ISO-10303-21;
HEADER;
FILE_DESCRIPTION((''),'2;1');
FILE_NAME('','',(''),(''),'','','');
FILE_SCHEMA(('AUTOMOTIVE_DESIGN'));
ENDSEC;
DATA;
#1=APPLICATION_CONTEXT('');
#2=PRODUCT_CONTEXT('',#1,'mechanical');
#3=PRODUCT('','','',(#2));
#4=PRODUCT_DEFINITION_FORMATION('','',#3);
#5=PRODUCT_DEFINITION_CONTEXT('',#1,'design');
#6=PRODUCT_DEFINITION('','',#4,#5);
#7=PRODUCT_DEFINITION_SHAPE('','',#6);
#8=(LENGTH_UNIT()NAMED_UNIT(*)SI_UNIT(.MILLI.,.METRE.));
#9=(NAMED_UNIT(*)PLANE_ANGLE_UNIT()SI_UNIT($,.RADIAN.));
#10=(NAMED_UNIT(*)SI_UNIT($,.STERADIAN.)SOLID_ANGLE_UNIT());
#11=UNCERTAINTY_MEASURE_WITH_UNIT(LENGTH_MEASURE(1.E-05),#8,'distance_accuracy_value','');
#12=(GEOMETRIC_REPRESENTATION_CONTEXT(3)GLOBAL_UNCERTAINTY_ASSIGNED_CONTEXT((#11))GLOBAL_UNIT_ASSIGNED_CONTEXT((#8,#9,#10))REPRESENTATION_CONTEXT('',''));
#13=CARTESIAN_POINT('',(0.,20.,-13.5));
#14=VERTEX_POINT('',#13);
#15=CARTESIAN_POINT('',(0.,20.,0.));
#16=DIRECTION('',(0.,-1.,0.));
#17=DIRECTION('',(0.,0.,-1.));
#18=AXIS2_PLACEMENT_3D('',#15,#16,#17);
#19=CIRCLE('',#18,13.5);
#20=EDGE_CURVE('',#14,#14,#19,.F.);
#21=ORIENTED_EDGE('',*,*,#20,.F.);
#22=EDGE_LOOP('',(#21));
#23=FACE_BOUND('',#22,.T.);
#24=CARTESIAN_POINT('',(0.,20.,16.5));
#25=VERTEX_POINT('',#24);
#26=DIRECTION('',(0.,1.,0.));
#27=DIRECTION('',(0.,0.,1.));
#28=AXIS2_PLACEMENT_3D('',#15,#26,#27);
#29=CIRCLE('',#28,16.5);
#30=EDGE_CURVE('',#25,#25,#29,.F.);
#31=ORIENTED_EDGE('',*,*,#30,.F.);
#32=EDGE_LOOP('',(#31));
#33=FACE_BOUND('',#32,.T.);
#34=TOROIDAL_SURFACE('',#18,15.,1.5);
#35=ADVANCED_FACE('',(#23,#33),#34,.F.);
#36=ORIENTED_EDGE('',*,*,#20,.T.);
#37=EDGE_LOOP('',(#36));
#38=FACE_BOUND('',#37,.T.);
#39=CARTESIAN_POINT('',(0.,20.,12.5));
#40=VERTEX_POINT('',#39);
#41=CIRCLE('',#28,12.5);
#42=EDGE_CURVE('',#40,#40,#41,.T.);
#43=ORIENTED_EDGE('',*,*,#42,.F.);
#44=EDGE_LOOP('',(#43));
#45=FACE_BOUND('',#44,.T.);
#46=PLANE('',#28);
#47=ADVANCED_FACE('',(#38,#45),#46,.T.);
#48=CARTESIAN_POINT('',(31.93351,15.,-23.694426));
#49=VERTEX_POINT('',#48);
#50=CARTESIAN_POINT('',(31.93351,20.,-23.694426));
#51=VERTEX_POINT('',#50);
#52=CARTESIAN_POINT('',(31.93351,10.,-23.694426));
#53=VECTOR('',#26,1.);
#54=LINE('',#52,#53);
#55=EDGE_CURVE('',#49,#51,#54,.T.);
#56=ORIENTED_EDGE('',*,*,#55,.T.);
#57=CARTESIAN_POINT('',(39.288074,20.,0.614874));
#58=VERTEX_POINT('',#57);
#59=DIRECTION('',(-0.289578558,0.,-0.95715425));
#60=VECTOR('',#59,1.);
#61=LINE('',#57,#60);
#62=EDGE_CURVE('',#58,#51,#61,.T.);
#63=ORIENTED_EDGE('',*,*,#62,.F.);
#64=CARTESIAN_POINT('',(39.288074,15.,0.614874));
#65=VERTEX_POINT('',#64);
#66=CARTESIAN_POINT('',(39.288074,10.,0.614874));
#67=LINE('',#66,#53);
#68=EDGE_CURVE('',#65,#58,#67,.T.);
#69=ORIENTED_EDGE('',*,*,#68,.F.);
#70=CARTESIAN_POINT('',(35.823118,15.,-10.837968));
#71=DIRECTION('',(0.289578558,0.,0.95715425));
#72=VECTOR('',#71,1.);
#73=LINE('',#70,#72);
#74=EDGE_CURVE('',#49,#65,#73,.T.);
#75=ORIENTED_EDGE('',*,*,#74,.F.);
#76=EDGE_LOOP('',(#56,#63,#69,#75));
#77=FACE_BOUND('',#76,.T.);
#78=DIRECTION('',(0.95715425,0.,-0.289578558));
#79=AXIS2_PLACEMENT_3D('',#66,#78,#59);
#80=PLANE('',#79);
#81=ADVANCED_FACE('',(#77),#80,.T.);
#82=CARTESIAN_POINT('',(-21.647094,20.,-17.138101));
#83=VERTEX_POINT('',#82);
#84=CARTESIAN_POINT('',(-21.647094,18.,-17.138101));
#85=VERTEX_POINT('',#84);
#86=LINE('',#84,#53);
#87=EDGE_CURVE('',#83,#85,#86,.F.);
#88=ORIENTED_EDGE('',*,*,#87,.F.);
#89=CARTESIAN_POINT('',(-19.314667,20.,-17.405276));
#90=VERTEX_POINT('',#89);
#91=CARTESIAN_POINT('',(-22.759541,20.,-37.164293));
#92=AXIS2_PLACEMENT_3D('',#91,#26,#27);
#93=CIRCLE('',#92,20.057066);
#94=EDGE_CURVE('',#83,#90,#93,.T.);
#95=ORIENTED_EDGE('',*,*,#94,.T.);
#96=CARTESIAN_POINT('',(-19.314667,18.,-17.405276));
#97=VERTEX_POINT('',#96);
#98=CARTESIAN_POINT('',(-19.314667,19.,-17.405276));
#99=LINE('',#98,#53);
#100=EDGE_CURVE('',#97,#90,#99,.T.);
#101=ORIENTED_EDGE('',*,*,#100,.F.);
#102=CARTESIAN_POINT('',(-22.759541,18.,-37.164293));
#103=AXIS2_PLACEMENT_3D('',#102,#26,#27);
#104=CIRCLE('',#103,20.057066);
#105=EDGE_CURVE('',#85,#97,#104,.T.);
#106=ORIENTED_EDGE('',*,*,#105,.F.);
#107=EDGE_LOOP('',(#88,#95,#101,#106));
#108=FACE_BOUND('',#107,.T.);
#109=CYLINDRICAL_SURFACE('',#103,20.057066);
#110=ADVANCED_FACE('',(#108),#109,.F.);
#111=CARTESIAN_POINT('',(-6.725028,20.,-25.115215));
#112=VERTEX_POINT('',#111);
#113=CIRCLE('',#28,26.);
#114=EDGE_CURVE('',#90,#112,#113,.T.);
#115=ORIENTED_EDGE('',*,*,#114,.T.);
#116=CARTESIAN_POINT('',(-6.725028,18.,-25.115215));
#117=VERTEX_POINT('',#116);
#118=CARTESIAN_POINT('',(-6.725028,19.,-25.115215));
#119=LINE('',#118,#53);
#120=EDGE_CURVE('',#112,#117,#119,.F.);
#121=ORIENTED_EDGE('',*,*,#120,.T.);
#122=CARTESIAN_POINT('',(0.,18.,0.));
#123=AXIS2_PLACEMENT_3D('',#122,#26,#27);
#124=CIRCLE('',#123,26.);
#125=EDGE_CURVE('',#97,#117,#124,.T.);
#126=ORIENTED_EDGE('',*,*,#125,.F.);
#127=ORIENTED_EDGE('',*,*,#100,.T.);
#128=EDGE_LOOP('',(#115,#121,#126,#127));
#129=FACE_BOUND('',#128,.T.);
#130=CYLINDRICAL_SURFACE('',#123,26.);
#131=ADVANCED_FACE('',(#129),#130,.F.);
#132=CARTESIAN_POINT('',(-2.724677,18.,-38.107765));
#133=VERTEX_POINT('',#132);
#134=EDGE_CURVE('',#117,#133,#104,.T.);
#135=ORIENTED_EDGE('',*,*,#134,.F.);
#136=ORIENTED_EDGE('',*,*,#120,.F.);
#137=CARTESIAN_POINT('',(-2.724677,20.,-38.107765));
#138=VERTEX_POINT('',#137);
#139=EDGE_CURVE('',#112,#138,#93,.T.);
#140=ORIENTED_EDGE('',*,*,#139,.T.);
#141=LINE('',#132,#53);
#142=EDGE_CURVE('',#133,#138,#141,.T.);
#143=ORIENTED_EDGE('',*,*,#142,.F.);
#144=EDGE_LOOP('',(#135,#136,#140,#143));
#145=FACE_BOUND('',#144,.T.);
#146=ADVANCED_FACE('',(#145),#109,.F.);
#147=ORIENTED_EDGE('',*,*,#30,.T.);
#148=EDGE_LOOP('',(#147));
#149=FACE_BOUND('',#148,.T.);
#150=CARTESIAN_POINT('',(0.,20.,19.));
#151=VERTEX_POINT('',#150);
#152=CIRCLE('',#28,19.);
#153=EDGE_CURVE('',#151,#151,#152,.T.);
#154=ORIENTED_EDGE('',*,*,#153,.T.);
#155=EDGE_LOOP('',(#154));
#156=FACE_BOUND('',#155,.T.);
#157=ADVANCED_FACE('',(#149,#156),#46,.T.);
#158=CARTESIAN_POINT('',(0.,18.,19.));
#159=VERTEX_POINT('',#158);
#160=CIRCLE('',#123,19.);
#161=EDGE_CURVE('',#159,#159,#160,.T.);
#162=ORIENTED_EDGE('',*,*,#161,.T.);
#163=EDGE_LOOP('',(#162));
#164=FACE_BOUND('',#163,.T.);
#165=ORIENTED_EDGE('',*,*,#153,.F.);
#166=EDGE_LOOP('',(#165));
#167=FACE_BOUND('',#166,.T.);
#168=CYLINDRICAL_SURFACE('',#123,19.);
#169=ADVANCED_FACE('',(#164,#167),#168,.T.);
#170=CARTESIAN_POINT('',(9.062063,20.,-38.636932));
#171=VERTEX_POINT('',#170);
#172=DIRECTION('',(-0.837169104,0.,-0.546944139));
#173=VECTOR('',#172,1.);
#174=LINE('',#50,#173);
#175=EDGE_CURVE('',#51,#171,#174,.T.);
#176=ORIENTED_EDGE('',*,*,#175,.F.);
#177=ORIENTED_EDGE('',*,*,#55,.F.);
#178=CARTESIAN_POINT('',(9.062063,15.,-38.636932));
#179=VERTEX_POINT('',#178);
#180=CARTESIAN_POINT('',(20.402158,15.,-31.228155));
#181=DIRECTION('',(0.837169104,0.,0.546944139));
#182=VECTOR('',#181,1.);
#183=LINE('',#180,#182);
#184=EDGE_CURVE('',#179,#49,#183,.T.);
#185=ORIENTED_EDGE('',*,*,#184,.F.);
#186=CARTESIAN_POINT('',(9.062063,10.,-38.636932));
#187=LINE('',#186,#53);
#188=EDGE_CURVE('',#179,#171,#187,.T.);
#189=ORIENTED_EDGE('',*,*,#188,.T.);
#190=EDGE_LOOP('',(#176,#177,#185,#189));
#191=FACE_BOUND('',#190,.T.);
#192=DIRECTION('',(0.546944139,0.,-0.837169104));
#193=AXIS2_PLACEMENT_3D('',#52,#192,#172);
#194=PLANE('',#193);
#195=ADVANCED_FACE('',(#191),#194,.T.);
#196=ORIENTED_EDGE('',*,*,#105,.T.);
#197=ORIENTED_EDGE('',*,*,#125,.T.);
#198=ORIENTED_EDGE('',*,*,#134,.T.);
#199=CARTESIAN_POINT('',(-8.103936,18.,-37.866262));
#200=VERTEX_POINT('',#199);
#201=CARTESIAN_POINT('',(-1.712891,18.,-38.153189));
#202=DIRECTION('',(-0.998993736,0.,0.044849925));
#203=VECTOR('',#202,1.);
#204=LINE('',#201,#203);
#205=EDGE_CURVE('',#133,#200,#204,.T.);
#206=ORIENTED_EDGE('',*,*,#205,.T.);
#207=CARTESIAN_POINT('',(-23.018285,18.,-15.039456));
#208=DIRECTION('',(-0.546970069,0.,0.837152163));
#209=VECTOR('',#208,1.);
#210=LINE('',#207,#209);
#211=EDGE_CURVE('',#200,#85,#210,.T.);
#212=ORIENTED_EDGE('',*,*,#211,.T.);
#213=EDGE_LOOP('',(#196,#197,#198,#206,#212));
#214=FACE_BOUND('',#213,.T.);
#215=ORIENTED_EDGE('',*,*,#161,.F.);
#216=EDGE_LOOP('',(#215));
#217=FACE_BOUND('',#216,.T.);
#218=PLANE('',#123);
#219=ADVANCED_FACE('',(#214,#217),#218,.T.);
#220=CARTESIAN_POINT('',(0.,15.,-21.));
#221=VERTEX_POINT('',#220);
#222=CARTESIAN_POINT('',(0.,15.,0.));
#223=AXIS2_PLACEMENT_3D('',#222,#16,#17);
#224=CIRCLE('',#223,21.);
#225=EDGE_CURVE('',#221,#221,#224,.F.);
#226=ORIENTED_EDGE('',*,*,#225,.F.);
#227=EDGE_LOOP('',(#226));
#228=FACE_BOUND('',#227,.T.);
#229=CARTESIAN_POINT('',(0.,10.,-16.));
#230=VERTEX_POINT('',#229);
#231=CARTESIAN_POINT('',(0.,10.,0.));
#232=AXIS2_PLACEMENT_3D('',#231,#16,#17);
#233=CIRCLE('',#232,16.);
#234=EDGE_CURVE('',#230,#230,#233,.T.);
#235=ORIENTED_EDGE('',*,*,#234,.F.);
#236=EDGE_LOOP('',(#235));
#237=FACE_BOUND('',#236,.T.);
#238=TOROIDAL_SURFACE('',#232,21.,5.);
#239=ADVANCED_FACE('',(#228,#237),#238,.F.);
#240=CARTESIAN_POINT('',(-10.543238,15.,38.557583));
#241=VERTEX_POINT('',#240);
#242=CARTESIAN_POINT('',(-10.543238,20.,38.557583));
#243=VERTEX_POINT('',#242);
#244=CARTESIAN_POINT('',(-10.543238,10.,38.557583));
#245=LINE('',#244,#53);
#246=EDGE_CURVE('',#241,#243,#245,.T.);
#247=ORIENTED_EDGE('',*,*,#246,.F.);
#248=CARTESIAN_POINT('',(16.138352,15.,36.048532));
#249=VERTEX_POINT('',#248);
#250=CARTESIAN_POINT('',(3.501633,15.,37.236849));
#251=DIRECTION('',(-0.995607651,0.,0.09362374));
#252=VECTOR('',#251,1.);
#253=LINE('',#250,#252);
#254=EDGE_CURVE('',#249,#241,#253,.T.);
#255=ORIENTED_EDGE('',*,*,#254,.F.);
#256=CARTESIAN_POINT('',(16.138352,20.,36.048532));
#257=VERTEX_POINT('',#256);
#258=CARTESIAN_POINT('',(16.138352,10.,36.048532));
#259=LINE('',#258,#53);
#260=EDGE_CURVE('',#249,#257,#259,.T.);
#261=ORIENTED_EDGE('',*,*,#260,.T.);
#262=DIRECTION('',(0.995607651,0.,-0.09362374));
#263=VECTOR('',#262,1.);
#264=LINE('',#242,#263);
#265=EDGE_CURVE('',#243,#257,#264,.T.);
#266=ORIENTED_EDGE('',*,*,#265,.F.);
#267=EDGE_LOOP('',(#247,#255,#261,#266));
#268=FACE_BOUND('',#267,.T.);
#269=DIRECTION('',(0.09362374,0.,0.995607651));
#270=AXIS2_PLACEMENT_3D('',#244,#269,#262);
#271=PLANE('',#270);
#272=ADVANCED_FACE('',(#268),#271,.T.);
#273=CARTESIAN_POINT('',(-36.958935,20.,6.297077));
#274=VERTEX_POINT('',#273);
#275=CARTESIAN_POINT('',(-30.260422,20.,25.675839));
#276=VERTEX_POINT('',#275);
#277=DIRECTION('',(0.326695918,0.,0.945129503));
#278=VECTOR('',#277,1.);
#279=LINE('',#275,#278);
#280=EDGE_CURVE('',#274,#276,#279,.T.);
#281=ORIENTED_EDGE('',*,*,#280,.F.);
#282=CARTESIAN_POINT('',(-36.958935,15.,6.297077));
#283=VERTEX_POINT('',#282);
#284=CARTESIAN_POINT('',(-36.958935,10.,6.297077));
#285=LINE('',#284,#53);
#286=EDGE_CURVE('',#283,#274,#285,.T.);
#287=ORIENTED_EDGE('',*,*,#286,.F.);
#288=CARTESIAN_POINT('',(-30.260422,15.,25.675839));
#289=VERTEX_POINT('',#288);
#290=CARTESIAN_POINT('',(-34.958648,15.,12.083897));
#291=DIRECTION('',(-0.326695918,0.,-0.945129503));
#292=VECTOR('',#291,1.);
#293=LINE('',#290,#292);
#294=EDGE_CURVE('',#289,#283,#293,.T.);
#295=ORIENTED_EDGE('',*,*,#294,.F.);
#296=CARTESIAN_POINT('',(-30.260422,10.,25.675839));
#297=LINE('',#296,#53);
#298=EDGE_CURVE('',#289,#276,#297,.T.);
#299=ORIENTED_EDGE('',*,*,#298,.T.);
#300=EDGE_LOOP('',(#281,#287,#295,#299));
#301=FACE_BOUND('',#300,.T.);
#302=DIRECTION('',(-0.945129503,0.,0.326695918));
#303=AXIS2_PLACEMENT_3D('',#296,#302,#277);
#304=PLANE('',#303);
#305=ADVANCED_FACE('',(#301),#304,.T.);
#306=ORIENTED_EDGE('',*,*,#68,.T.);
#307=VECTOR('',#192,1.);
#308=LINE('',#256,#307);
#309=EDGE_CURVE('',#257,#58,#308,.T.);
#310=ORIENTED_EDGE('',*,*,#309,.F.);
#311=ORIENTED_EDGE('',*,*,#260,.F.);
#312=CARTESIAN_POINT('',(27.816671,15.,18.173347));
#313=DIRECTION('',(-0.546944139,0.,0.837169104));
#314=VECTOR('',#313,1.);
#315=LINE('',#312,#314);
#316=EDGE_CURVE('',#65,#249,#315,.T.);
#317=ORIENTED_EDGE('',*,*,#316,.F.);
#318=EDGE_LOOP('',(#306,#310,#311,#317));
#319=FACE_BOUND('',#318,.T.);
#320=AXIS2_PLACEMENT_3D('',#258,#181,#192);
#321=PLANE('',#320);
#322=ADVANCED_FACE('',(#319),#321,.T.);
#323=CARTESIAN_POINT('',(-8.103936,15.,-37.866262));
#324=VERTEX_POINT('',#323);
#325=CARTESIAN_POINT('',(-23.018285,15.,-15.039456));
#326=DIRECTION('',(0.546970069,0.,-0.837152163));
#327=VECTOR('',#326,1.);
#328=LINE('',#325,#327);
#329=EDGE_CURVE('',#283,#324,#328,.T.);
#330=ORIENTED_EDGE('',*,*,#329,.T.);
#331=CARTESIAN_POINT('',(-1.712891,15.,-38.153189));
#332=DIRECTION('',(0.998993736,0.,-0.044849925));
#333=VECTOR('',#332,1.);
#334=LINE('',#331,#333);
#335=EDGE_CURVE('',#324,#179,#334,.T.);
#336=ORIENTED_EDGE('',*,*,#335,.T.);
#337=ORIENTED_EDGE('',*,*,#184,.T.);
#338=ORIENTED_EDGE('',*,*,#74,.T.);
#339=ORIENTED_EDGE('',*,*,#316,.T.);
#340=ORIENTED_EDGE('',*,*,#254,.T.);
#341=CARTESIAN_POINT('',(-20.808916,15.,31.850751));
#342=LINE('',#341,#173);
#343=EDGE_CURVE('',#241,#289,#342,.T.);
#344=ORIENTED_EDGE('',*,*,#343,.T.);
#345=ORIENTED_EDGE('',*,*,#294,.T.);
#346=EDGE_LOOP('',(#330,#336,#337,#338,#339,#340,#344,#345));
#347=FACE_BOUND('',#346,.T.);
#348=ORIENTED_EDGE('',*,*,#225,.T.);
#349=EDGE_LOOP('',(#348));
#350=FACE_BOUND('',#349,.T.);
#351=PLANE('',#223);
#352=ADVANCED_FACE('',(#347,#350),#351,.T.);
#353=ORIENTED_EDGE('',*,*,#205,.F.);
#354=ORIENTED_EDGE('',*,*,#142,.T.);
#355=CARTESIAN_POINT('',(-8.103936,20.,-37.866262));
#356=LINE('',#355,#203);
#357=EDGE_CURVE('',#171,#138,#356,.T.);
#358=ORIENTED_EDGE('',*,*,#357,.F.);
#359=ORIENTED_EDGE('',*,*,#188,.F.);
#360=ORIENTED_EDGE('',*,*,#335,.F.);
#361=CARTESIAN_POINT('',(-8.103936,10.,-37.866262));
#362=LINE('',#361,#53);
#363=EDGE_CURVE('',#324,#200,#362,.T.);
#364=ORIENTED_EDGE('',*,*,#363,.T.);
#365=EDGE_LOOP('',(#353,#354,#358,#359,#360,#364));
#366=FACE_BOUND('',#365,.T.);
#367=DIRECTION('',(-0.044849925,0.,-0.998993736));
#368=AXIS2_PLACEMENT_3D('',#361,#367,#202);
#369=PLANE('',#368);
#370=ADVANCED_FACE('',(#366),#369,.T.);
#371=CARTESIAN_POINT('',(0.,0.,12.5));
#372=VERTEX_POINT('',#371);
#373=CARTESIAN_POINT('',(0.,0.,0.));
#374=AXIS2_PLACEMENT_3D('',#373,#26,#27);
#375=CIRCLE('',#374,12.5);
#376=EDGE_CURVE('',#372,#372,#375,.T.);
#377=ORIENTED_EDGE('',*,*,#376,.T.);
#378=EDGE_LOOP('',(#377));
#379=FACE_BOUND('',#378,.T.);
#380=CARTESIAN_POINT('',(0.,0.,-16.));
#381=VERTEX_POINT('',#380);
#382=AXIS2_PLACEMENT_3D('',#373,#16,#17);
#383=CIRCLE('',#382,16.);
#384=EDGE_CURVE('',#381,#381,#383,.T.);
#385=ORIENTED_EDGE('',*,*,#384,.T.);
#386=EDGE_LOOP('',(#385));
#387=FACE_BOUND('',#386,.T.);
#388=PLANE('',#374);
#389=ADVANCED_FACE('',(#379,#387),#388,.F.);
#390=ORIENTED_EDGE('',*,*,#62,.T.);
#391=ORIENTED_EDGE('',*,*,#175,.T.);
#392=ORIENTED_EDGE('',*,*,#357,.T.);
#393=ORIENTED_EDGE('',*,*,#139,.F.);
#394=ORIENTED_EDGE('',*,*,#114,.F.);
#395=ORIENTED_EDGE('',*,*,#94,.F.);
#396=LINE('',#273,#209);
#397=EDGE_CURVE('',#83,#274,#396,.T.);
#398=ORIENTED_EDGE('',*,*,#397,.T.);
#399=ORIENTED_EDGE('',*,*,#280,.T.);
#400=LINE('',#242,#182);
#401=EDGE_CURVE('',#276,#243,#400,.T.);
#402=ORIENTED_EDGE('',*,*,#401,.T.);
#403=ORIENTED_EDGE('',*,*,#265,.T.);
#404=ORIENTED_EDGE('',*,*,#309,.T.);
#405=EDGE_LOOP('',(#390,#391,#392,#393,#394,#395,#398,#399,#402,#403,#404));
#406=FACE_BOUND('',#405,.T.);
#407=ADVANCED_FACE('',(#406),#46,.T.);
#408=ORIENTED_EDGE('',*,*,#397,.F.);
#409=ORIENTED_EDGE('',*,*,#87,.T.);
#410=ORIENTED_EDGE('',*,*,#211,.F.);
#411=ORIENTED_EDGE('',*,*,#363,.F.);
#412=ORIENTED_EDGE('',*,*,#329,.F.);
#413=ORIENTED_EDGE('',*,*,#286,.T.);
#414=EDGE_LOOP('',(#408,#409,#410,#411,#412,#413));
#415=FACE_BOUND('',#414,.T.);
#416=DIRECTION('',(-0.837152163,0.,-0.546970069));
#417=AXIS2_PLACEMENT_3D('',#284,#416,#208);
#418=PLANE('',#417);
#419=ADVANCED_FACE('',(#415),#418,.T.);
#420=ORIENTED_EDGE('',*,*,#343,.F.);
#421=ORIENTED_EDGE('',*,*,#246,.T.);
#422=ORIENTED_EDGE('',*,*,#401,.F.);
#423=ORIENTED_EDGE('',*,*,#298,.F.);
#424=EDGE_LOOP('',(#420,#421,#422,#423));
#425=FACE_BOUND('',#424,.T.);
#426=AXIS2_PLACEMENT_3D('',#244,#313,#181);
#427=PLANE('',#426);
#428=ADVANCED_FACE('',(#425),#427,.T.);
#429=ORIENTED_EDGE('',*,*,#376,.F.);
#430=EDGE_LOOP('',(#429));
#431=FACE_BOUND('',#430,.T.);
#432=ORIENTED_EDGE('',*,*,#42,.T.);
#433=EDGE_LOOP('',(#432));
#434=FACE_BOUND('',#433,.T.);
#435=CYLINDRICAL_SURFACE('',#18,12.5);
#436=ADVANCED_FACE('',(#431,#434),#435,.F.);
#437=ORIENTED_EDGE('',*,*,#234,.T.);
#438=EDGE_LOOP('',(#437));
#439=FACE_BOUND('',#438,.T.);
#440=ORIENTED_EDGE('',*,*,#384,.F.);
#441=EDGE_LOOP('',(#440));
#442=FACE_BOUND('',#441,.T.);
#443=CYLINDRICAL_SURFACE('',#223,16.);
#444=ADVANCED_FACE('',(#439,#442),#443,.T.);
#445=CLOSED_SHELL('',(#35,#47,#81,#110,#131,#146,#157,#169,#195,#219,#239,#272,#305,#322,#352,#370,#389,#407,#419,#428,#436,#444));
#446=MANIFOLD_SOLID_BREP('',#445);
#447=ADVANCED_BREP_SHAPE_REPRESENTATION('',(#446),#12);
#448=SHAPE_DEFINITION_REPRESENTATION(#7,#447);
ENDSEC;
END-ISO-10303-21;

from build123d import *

# Parameters (mm, degrees)
SKETCH_1_R            = 40
SKETCH_1_R_2          = 12.5
EXTRUDE_1_DEPTH       = 20
SKETCH_6_R            = 1.5
SKETCH_12_R           = 43.016285751
SKETCH_12_R_2         = 16
CUT_EXTRUDE_5_DEPTH   = 15
FILLET_2_R            = 5
SKETCH_14_R           = 25.999999999
SKETCH_14_R_2         = 18.999999999
CUT_EXTRUDE_3_DEPTH   = 2
CUT_EXTRUDE_4_DEPTH   = 2
CUT_EXTRUDE_5_2_DEPTH = 10


with BuildPart() as part:
    # Эскиз1 → Вытянуть1 (new body)
    with BuildSketch(Plane(origin=(0, 0, 0), x_dir=(1, 0, 0), z_dir=(0, 1, 0))):
        with Locations(Location((0, 0, 0), (0, 0, 270))):
            Circle(SKETCH_1_R)
        with Locations(Location((0, 0, 0), (0, 0, 270))):
            Circle(SKETCH_1_R_2, mode=Mode.SUBTRACT)
    extrude(amount=EXTRUDE_1_DEPTH)

    # Вырез-По траектории3: sweep along a path in Эскиз4
    with BuildLine(Plane(origin=(0, 20, 0), x_dir=(1, 0, 0), z_dir=(0, 1, 0))) as sweep_3_path:
        CenterArc((0, 0), 15, 0, 360)
    # Эскиз6 → Вырез-По траектории3 (sweep, cut)
    with BuildSketch(Plane(origin=(0, 0, 0), x_dir=(0, 0, -1), z_dir=(1, 0, 0))):
        with Locations((-15, 20)):
            Circle(SKETCH_6_R)
    sweep(path=sweep_3_path.line, mode=Mode.SUBTRACT)

    # Эскиз12 → Cut-Extrude 5 (cut)
    with BuildSketch(Plane.XZ):
        Circle(SKETCH_12_R)
        with Locations(Location((0, 0, 0), (0, 0, 270))):
            Circle(SKETCH_12_R_2, mode=Mode.SUBTRACT)
    extrude(amount=-CUT_EXTRUDE_5_DEPTH, mode=Mode.SUBTRACT)

    # Скругление2
    fillet_2_edges = [part.edges().sort_by_distance(p)[0] for p in [
        (0, 15, 16),
    ]]
    fillet(fillet_2_edges, radius=FILLET_2_R)

    # Эскиз14 → Вырез-Вытянуть3 (cut)
    with BuildSketch(Plane(origin=(0, 20, 0), x_dir=(1, 0, 0), z_dir=(0, 1, 0))):
        with Locations(Location((1.01e-07, 8.4e-08, 0), (0, 0, 270))):
            Circle(SKETCH_14_R)
        with Locations(Location((1.01e-07, 8.4e-08, 0), (0, 0, 270))):
            Circle(SKETCH_14_R_2, mode=Mode.SUBTRACT)
    extrude(amount=-CUT_EXTRUDE_3_DEPTH, mode=Mode.SUBTRACT)

    # Эскиз15 → Вырез-Вытянуть4 (cut)
    with BuildSketch(Plane(origin=(0, 20, 0), x_dir=(1, 0, 0), z_dir=(0, 1, 0))):
        with BuildLine():
            ThreePointArc((-27.297327545, 17.627292527), (-13.760291037, 55.089119116), (-35.71683723, 21.854349851))
            ThreePointArc((-35.71683723, 21.854349851), (-36.252930678, 10.287976674), (-27.297327545, 17.627292527))
        make_face()
    extrude(amount=-CUT_EXTRUDE_4_DEPTH, mode=Mode.SUBTRACT)

    # Эскиз16 → Cut-Extrude 5 2 (cut)
    with BuildSketch(Plane(origin=(0, 20, 0), x_dir=(1, 0, 0), z_dir=(0, 1, 0))):
        Polygon((-7.191454283, -44.519977242), (-37.881198424, -24.469576927), (-45.366952085, 5.371359597), (-23.143023154, 39.387971833), (7.640311576, 44.595915214), (37.770432201, 24.911131357), (45.434410754, -5.233046757), (23.11557492, -39.392615521), align=None)
        Polygon((-8.103935708, 37.866262499), (9.062062667, 38.636931735), (31.933510124, 23.694426018), (39.288073881, -0.614873657), (16.138351941, -36.048532442), (-10.543237541, -38.557583255), (-30.26042154, -25.675839099), (-36.958934768, -6.29707702), align=None, mode=Mode.SUBTRACT)
    extrude(amount=-CUT_EXTRUDE_5_2_DEPTH, mode=Mode.SUBTRACT)


solid = part.part
